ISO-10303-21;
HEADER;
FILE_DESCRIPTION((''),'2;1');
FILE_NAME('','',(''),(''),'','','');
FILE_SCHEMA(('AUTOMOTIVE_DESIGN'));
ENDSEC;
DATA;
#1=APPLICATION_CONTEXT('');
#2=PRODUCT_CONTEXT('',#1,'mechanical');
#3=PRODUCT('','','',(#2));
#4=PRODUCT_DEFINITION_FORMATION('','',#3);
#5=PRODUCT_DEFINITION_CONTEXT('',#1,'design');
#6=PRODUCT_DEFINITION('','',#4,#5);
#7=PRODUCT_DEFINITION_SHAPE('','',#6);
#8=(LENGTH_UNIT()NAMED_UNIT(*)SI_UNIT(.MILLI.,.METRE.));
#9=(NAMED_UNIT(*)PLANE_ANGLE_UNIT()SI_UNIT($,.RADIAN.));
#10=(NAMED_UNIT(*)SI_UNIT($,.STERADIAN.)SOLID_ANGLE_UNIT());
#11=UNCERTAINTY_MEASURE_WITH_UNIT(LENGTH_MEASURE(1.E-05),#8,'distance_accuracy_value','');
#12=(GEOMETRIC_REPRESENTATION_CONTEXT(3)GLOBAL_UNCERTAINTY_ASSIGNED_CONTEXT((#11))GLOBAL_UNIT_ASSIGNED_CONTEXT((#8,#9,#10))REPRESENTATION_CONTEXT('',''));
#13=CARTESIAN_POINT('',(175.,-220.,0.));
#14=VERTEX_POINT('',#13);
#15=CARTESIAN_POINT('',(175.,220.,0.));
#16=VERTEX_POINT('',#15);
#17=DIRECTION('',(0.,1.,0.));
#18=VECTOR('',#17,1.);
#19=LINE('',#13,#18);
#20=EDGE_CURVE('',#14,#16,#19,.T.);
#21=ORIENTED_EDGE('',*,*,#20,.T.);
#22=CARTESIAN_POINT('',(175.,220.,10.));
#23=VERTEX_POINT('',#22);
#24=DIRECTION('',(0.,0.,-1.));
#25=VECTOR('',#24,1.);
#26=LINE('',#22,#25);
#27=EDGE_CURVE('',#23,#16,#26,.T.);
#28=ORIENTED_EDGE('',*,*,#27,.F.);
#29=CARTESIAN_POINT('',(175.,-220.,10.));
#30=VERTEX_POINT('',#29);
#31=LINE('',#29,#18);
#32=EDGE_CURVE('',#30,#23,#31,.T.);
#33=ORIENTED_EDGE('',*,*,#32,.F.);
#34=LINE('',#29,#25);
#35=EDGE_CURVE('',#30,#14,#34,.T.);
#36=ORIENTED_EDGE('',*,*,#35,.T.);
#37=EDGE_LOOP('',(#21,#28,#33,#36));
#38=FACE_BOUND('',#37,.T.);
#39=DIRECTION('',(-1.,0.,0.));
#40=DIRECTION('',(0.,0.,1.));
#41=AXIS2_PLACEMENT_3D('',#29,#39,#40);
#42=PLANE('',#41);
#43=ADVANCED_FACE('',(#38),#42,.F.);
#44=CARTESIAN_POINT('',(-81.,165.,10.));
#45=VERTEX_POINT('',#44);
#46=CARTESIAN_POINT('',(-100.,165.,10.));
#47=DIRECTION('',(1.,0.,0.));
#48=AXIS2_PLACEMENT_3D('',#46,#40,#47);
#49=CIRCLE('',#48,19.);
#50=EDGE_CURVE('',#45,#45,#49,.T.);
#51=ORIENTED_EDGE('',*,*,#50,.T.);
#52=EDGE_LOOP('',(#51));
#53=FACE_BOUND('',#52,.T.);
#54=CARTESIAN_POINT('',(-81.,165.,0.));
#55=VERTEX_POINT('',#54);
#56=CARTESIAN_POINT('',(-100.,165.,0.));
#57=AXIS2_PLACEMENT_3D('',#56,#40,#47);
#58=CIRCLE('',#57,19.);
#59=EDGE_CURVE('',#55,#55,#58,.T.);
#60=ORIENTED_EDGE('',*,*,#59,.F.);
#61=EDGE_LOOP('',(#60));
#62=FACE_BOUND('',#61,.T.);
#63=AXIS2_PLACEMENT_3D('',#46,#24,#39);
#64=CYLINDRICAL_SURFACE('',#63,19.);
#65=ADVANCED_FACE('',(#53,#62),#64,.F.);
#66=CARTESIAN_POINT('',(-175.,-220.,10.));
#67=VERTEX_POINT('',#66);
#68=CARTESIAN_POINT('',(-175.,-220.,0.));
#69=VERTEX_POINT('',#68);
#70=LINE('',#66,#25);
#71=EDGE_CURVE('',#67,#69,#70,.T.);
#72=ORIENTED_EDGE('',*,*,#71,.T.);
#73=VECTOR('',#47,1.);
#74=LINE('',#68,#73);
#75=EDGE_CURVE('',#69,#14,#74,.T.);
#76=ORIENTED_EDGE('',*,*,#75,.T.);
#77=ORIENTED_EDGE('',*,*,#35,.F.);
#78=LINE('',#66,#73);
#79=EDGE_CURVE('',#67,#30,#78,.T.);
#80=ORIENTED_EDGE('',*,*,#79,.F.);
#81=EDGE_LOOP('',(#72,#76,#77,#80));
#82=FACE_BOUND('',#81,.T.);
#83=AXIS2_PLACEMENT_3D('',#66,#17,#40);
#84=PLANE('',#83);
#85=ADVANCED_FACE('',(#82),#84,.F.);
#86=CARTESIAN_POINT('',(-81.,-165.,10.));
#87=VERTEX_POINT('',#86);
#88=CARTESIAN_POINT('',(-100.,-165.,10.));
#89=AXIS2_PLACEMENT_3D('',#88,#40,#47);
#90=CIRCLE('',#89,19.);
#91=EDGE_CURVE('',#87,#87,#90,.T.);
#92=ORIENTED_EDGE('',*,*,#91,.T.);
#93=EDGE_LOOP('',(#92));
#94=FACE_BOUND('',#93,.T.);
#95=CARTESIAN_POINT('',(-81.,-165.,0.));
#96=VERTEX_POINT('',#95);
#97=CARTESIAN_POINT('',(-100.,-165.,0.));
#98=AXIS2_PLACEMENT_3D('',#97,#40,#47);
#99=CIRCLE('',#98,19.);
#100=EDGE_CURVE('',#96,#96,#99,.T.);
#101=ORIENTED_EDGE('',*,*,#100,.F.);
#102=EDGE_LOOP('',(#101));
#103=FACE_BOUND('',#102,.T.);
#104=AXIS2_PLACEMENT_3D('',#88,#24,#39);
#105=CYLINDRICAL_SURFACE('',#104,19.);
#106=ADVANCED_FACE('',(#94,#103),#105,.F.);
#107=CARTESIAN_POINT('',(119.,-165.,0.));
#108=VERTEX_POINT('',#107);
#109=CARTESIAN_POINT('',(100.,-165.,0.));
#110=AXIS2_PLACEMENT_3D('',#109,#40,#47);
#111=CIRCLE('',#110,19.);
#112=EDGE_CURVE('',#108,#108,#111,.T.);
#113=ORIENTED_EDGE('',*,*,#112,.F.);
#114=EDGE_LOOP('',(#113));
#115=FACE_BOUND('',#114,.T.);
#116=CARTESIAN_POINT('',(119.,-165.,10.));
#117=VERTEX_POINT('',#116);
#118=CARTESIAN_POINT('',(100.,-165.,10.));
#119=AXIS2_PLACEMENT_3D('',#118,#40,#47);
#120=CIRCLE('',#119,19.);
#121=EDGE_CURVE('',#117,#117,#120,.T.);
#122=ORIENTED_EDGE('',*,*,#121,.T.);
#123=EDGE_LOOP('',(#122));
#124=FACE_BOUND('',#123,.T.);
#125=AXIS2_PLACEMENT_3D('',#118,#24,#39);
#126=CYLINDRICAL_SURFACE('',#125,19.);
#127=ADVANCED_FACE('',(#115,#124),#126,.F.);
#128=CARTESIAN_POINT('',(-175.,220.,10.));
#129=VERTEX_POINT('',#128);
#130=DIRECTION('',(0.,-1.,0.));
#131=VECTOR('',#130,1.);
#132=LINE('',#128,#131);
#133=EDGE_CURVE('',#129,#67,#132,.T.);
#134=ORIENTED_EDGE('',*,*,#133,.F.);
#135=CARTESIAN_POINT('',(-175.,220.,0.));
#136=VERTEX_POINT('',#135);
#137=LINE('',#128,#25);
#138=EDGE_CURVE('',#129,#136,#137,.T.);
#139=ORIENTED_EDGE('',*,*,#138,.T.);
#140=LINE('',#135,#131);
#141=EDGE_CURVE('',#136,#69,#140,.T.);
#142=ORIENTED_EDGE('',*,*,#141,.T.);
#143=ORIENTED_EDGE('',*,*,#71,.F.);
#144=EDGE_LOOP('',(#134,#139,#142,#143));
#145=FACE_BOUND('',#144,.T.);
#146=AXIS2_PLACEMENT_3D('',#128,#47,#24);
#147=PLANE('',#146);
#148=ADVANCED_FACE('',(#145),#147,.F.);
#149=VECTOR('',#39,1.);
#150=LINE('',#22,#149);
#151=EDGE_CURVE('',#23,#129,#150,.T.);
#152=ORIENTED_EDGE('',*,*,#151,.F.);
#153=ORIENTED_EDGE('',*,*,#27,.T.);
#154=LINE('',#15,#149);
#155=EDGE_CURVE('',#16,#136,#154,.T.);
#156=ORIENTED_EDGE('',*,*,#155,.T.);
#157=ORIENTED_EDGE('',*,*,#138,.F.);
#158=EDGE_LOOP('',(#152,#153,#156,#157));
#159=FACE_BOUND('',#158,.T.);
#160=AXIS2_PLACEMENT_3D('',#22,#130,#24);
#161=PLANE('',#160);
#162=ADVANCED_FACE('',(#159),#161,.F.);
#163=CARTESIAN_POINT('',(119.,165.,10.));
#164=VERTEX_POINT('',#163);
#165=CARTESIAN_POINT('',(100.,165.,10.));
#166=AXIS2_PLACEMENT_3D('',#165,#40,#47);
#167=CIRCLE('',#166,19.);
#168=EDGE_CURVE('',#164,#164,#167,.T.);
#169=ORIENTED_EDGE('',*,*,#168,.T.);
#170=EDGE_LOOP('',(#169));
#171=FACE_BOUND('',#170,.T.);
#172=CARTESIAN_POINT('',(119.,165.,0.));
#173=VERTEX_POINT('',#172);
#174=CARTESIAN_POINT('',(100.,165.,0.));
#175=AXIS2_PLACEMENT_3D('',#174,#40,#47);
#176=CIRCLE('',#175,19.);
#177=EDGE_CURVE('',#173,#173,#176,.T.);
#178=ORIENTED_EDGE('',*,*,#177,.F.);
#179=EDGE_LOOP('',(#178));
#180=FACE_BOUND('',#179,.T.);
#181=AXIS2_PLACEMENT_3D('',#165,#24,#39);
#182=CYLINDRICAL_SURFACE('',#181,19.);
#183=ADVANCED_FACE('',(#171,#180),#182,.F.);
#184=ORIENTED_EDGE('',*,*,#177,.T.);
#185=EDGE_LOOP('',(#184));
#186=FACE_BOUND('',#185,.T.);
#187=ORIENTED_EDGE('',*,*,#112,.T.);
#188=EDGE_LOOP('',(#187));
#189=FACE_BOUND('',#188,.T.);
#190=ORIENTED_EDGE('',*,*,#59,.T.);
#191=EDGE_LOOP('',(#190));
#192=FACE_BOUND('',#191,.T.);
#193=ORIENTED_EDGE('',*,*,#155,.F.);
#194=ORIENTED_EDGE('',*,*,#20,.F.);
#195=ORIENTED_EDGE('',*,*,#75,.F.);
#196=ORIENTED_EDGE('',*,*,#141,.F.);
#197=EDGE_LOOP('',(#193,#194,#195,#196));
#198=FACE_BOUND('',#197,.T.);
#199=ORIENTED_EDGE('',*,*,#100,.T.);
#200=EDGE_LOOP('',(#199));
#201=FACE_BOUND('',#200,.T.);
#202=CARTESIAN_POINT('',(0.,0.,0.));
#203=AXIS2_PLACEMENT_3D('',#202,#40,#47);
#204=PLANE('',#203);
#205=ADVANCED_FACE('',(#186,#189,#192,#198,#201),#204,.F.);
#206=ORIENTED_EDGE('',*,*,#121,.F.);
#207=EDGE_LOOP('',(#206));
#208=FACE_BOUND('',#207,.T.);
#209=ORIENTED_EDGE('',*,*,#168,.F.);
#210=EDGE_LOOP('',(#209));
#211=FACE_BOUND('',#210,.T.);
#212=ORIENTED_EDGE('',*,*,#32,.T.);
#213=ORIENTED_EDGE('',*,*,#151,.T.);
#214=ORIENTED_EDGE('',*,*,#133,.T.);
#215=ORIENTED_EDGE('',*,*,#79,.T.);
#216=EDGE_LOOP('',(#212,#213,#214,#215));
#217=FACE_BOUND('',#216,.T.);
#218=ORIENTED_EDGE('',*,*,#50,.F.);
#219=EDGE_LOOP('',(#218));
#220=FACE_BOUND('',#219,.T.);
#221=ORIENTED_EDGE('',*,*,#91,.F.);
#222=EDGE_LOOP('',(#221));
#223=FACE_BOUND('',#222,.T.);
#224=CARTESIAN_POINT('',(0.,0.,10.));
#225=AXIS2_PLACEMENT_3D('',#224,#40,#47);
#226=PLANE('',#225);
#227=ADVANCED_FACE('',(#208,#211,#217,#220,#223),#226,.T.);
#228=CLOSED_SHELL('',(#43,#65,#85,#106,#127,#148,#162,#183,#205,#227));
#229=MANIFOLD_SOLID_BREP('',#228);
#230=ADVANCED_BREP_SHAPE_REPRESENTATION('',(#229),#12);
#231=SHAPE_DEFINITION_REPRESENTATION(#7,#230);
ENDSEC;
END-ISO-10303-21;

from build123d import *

# Parameters (mm, degrees)
SKETCH_1_W      = 350
SKETCH_1_H      = 440
SKETCH_1_R      = 19
EXTRUDE_1_DEPTH = 10


with BuildPart() as part:
    # Эскиз1 → Бобышка-Вытянуть1 (new body)
    with BuildSketch(Plane.XY):
        Rectangle(SKETCH_1_W, SKETCH_1_H)
        with Locations((-100, 165)):
            Circle(SKETCH_1_R, mode=Mode.SUBTRACT)
        with Locations((100, 165)):
            Circle(SKETCH_1_R, mode=Mode.SUBTRACT)
        with Locations((100, -165)):
            Circle(SKETCH_1_R, mode=Mode.SUBTRACT)
        with Locations((-100, -165)):
            Circle(SKETCH_1_R, mode=Mode.SUBTRACT)
    extrude(amount=EXTRUDE_1_DEPTH)


solid = part.part
